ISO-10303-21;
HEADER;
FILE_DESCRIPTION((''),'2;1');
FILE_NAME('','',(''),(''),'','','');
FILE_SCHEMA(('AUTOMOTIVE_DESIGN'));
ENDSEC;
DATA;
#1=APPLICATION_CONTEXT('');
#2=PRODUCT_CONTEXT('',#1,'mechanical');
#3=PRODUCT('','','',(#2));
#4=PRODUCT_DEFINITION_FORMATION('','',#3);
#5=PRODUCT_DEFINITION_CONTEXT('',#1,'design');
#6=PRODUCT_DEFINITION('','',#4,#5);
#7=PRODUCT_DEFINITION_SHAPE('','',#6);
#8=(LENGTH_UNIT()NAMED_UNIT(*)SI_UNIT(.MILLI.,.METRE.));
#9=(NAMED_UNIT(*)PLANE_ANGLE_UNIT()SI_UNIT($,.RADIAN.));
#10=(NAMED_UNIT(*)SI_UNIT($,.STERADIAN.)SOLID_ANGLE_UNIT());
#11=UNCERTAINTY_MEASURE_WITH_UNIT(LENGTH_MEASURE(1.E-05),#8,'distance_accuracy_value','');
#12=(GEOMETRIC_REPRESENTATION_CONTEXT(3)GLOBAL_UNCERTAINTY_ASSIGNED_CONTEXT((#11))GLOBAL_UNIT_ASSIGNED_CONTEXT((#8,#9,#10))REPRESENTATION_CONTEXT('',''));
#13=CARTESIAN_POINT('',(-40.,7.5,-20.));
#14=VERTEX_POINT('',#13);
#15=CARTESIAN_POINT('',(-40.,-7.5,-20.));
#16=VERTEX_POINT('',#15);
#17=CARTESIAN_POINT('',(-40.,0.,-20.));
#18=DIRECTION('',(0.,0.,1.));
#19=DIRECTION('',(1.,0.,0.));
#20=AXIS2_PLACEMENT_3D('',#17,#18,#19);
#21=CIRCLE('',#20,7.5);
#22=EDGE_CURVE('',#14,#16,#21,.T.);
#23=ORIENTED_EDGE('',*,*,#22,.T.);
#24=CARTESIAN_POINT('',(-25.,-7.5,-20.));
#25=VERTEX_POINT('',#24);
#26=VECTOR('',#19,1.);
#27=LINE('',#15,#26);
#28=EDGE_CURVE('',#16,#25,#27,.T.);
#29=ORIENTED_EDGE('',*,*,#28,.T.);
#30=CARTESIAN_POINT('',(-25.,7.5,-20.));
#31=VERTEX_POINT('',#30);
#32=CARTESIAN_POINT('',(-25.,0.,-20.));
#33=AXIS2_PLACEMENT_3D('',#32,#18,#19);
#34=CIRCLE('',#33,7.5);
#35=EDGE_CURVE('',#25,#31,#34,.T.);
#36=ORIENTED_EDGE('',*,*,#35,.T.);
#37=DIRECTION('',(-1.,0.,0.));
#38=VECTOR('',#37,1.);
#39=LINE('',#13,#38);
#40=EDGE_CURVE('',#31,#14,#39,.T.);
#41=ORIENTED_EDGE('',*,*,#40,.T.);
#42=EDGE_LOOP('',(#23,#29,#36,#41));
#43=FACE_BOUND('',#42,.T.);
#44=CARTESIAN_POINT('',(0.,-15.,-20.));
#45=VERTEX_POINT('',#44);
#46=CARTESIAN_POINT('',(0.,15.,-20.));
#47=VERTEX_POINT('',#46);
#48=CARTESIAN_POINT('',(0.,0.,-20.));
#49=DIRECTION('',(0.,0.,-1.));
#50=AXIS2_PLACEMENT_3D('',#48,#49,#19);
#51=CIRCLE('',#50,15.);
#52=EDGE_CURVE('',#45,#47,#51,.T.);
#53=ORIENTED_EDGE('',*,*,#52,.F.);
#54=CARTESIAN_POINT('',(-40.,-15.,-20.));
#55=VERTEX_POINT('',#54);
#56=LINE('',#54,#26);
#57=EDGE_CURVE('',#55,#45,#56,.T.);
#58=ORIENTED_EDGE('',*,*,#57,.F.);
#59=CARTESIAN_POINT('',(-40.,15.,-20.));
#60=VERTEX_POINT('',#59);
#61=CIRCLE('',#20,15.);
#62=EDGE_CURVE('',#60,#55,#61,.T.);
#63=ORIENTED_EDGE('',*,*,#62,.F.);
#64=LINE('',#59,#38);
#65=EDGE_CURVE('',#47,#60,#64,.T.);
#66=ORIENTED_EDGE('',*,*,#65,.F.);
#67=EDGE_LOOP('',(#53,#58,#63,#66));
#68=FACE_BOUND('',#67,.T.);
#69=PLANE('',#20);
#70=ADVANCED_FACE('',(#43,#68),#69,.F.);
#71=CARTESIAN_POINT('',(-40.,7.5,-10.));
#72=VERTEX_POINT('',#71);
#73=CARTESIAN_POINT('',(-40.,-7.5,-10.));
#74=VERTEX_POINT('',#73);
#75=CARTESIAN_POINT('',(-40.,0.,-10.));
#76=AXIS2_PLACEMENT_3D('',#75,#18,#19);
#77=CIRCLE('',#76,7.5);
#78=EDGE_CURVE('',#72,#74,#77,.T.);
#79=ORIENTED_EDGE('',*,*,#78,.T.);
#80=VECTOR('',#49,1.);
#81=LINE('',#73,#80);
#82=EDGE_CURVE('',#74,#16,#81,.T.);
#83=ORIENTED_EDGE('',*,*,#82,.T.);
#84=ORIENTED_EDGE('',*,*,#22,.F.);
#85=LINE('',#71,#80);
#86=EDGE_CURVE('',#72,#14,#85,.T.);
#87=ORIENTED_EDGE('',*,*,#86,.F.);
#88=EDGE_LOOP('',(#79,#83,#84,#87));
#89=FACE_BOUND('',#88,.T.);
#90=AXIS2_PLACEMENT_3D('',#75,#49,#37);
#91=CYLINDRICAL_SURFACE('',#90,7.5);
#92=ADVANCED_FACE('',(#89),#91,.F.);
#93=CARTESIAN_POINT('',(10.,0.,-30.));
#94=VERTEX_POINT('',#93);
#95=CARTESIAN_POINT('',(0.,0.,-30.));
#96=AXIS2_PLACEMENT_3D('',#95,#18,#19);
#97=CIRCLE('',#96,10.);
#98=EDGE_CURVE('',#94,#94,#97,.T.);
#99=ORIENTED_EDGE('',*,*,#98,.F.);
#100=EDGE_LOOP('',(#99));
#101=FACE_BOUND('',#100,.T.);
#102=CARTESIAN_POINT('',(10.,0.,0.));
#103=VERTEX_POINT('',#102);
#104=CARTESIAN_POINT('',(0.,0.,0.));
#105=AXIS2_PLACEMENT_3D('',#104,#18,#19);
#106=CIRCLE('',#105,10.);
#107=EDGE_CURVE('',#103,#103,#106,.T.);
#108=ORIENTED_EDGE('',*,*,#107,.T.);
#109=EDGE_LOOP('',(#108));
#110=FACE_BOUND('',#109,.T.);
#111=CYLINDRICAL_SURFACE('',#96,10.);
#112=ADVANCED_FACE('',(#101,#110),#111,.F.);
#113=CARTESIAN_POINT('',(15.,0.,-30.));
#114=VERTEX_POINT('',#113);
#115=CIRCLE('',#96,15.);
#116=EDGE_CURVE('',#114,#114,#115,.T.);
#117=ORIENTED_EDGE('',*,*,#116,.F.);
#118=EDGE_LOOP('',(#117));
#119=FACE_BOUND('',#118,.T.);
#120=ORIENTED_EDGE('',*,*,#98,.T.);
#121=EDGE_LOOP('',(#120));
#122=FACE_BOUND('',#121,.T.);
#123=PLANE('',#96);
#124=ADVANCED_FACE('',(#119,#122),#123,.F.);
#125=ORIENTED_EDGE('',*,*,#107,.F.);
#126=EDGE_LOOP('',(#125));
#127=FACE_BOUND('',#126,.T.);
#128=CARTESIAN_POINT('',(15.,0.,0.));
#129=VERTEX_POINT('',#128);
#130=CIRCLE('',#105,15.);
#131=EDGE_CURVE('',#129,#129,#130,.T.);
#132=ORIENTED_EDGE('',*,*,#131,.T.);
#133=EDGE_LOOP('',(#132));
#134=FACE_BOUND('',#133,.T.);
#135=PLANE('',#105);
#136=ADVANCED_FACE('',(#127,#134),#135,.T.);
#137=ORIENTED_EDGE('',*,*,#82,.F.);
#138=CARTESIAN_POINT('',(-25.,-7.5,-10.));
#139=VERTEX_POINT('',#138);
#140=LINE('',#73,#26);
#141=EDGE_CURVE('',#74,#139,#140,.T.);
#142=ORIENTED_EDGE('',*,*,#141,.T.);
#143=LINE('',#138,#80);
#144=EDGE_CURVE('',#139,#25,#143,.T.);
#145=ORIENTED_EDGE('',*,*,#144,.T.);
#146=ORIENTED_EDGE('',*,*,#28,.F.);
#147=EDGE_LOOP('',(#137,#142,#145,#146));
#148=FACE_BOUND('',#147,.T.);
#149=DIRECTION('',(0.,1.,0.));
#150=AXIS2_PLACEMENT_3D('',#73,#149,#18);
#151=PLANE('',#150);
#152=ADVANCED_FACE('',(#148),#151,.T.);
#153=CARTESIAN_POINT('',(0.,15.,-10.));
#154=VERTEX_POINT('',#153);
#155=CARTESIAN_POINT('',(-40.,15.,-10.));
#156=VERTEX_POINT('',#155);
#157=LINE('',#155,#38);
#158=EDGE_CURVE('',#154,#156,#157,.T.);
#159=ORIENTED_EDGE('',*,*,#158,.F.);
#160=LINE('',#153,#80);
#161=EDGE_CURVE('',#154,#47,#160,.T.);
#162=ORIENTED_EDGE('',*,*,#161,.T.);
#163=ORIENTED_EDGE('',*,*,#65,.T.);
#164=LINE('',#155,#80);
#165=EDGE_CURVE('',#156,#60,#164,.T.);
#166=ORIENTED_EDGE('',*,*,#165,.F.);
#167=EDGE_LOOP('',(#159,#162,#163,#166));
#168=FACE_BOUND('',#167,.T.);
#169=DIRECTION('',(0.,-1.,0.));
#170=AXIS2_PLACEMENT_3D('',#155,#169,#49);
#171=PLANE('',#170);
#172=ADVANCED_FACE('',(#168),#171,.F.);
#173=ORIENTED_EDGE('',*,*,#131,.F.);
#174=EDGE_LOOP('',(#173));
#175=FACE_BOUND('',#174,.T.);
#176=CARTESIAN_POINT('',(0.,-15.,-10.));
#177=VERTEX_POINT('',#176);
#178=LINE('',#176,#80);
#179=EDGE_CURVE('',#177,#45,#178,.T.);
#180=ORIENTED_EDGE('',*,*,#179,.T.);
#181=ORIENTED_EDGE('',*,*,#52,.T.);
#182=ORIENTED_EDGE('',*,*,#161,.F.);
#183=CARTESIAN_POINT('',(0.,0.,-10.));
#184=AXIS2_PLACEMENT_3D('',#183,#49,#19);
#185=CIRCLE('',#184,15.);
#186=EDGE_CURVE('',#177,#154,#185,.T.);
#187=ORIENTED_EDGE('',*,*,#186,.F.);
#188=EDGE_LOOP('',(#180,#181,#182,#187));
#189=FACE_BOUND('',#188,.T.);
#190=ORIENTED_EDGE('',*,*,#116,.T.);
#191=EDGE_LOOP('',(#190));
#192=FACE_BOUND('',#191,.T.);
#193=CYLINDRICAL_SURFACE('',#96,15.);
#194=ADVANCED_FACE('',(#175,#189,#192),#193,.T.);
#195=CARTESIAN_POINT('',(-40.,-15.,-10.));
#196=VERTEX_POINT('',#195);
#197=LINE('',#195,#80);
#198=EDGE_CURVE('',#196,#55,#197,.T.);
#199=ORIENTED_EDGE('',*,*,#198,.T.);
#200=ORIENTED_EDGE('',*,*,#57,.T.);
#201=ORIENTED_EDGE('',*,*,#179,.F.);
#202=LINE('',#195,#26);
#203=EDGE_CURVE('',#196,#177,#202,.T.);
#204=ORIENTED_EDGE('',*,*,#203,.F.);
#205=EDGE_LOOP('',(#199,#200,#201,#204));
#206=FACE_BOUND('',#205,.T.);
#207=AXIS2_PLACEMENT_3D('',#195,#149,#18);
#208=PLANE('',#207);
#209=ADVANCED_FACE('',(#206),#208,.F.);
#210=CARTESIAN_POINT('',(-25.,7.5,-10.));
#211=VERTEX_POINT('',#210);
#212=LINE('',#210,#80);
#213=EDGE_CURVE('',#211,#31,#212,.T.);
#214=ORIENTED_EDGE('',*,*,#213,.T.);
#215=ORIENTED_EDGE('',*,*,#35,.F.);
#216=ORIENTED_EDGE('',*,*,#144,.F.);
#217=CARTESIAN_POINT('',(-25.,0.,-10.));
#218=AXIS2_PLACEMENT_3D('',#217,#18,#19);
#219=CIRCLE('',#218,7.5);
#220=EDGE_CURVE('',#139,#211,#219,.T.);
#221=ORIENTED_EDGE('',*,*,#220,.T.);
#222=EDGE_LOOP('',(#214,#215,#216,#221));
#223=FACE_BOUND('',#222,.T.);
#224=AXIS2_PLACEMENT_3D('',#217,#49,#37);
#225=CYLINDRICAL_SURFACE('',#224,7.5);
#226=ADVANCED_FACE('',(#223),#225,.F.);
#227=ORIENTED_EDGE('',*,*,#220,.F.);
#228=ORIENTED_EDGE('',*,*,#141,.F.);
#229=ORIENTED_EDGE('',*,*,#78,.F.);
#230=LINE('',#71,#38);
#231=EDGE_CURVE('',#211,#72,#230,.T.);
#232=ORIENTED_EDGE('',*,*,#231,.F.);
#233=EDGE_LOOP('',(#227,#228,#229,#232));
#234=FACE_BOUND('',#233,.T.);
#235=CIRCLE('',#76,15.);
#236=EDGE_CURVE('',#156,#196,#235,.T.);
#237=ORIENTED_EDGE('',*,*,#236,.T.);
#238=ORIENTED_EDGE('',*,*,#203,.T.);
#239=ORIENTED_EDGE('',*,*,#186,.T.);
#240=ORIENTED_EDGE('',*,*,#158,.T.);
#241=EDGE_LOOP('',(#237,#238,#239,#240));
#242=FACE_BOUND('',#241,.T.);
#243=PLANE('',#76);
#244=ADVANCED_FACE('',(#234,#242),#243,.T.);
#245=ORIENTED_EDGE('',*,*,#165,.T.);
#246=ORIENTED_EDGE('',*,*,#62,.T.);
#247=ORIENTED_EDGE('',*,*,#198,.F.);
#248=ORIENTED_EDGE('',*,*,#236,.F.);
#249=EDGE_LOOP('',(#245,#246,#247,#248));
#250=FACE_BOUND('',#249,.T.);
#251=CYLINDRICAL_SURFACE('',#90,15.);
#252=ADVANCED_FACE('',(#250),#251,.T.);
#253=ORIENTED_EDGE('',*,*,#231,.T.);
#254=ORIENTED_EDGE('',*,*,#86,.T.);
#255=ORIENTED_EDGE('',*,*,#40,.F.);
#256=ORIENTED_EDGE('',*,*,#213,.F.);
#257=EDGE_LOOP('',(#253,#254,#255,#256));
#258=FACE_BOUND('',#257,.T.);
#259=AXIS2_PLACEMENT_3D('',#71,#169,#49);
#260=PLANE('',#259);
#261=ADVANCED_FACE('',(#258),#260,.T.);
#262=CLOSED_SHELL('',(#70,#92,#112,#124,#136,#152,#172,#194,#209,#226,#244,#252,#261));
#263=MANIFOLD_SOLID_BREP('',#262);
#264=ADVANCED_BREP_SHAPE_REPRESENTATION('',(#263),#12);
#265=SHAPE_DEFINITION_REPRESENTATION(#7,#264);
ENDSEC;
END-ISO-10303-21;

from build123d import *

# Parameters (mm, degrees)
SKETCH1_R           = 15
SKETCH1_R_2         = 10
BOSS_EXTRUDE1_DEPTH = 30
BOSS_EXTRUDE2_DEPTH = 5


with BuildPart() as part:
    # Sketch1 → Boss-Extrude1 (new body)
    with BuildSketch(Plane.XY):
        Circle(SKETCH1_R)
        Circle(SKETCH1_R_2, mode=Mode.SUBTRACT)
    extrude(amount=-BOSS_EXTRUDE1_DEPTH)

    # Sketch2 → Boss-Extrude2 (add, symmetric)
    with BuildSketch(Plane.XY.offset(-15)):
        with BuildLine():
            Line((-40, 15), (0, 15))
            ThreePointArc((0, 15), (-15, 0), (0, -15))
            Line((0, -15), (-40, -15))
            ThreePointArc((-40, -15), (-55, 0), (-40, 15))
        make_face()
        with BuildLine():
            Line((-40, 7.5), (-25, 7.5))
            ThreePointArc((-25, 7.5), (-17.5, 0), (-25, -7.5))
            Line((-25, -7.5), (-40, -7.5))
            ThreePointArc((-40, -7.5), (-47.5, 0), (-40, 7.5))
        make_face(mode=Mode.SUBTRACT)
    extrude(amount=BOSS_EXTRUDE2_DEPTH, both=True)


solid = part.part
